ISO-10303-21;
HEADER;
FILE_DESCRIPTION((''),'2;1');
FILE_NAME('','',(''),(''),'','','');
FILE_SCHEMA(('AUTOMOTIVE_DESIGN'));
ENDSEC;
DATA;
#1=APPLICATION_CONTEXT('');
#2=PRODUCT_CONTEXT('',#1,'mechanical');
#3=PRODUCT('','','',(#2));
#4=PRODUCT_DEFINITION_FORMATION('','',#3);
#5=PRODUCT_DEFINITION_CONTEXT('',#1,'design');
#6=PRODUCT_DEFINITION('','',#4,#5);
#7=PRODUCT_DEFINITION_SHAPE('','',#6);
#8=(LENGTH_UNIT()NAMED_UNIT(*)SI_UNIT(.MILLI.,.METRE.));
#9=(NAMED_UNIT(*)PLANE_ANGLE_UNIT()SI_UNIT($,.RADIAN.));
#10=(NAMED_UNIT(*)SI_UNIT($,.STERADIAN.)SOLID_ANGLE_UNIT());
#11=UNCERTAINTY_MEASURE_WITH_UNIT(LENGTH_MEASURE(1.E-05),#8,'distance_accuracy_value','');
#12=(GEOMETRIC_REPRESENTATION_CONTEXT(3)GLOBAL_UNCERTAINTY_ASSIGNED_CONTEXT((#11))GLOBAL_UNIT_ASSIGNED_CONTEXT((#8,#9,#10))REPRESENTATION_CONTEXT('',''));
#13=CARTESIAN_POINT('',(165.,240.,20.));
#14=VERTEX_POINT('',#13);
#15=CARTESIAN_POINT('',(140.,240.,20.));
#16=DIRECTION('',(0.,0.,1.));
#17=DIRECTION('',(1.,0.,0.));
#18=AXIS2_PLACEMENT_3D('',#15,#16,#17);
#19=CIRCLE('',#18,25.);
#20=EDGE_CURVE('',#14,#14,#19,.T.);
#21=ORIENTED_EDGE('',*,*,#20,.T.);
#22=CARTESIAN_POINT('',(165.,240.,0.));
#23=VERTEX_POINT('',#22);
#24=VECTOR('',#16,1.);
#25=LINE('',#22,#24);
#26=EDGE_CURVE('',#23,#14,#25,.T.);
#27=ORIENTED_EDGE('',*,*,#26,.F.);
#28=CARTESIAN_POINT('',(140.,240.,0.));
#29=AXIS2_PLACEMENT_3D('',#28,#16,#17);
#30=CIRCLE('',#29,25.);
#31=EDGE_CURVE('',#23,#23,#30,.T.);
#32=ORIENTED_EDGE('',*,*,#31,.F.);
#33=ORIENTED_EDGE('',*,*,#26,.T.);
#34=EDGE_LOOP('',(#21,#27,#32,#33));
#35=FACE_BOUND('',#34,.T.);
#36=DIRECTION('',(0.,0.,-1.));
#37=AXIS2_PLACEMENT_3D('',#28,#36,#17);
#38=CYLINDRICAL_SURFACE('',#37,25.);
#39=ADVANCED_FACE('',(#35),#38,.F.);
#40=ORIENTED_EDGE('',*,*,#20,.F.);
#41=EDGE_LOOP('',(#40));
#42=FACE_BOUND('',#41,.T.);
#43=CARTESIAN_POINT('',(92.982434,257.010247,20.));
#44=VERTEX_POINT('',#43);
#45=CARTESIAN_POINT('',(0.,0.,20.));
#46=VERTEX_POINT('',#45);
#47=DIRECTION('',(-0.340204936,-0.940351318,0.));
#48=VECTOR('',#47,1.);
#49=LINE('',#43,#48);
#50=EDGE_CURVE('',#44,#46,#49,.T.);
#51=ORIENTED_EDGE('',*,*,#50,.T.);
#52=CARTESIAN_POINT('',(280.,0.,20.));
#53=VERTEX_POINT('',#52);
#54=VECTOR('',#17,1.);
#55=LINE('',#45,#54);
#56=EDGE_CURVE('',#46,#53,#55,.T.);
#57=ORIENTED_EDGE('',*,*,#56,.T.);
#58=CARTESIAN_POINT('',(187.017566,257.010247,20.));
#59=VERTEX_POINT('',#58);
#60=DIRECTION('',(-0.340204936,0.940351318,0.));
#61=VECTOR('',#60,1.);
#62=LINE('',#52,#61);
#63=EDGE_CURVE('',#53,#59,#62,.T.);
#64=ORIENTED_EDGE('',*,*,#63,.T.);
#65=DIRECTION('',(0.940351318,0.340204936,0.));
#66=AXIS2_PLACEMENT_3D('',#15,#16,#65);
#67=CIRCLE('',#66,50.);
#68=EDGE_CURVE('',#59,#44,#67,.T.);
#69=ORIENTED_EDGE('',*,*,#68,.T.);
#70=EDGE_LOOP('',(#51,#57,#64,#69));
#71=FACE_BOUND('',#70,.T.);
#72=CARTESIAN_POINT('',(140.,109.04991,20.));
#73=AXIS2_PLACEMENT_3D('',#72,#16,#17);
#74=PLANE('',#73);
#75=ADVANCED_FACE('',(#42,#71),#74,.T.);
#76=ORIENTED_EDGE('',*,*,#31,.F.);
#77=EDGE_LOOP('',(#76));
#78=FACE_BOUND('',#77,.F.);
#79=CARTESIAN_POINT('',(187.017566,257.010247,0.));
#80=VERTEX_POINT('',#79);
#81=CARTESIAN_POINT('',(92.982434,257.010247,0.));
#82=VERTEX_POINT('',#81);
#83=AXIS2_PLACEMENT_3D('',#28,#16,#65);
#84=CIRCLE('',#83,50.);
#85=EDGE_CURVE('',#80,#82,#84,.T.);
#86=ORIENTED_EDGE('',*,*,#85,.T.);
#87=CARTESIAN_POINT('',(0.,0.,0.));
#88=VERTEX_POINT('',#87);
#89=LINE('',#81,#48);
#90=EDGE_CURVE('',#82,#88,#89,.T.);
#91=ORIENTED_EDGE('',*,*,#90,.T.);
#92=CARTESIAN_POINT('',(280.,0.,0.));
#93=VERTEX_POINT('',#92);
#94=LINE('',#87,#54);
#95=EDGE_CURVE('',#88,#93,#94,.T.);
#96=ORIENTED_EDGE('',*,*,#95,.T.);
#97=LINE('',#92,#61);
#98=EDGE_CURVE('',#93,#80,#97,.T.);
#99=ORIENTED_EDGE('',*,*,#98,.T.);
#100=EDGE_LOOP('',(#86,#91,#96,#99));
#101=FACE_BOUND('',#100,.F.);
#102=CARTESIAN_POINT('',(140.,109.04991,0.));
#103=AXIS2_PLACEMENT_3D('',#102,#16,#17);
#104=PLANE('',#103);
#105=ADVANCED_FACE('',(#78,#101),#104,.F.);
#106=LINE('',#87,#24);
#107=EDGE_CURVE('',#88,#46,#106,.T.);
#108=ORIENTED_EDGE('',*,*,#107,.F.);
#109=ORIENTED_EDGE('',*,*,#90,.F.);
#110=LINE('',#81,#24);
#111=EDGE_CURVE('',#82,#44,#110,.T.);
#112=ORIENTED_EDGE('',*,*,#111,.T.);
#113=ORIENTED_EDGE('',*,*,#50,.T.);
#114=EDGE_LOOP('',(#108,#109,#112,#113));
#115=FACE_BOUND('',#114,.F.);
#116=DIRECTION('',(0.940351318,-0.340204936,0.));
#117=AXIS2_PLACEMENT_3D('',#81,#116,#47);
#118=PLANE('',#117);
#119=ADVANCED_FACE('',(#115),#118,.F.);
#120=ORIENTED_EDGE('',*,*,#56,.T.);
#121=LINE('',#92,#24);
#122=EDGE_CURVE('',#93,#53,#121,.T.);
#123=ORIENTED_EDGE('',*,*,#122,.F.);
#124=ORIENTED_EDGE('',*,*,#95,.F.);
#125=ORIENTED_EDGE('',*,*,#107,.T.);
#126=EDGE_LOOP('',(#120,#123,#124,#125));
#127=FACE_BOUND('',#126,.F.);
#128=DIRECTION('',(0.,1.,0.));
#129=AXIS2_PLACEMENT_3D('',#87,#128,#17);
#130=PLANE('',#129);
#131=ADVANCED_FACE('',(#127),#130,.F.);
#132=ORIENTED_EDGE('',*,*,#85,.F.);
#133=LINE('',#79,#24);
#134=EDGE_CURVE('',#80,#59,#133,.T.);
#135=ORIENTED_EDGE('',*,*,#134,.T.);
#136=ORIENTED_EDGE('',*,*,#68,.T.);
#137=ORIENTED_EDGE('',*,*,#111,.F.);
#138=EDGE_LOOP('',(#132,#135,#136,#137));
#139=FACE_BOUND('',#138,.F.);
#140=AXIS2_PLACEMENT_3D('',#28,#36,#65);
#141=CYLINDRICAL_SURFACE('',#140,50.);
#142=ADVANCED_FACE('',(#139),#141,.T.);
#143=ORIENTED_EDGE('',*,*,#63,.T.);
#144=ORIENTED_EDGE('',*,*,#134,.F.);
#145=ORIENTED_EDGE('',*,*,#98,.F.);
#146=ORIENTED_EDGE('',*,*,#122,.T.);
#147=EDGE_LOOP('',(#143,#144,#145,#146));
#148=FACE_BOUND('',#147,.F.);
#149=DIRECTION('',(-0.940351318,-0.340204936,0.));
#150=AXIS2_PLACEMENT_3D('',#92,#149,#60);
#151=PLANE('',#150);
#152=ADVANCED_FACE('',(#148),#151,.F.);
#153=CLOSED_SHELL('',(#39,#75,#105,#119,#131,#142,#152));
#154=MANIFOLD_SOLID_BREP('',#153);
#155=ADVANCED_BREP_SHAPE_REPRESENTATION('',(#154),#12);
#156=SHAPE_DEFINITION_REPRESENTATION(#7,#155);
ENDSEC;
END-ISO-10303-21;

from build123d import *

# Parameters (mm, degrees)
SKETCH1_R           = 25
BOSS_EXTRUDE1_DEPTH = 20


with BuildPart() as part:
    # Sketch1 → Boss-Extrude1 (new body)
    with BuildSketch(Plane.XY):
        with BuildLine():
            Line((0, 0), (280, 0))
            Line((280, 0), (187.017565913, 257.010246783))
            ThreePointArc((187.017565913, 257.010246783), (140, 290), (92.982434087, 257.010246783))
            Line((92.982434087, 257.010246783), (0, 0))
        make_face()
        with Locations((140, 240)):
            Circle(SKETCH1_R, mode=Mode.SUBTRACT)
    extrude(amount=BOSS_EXTRUDE1_DEPTH)


solid = part.part
